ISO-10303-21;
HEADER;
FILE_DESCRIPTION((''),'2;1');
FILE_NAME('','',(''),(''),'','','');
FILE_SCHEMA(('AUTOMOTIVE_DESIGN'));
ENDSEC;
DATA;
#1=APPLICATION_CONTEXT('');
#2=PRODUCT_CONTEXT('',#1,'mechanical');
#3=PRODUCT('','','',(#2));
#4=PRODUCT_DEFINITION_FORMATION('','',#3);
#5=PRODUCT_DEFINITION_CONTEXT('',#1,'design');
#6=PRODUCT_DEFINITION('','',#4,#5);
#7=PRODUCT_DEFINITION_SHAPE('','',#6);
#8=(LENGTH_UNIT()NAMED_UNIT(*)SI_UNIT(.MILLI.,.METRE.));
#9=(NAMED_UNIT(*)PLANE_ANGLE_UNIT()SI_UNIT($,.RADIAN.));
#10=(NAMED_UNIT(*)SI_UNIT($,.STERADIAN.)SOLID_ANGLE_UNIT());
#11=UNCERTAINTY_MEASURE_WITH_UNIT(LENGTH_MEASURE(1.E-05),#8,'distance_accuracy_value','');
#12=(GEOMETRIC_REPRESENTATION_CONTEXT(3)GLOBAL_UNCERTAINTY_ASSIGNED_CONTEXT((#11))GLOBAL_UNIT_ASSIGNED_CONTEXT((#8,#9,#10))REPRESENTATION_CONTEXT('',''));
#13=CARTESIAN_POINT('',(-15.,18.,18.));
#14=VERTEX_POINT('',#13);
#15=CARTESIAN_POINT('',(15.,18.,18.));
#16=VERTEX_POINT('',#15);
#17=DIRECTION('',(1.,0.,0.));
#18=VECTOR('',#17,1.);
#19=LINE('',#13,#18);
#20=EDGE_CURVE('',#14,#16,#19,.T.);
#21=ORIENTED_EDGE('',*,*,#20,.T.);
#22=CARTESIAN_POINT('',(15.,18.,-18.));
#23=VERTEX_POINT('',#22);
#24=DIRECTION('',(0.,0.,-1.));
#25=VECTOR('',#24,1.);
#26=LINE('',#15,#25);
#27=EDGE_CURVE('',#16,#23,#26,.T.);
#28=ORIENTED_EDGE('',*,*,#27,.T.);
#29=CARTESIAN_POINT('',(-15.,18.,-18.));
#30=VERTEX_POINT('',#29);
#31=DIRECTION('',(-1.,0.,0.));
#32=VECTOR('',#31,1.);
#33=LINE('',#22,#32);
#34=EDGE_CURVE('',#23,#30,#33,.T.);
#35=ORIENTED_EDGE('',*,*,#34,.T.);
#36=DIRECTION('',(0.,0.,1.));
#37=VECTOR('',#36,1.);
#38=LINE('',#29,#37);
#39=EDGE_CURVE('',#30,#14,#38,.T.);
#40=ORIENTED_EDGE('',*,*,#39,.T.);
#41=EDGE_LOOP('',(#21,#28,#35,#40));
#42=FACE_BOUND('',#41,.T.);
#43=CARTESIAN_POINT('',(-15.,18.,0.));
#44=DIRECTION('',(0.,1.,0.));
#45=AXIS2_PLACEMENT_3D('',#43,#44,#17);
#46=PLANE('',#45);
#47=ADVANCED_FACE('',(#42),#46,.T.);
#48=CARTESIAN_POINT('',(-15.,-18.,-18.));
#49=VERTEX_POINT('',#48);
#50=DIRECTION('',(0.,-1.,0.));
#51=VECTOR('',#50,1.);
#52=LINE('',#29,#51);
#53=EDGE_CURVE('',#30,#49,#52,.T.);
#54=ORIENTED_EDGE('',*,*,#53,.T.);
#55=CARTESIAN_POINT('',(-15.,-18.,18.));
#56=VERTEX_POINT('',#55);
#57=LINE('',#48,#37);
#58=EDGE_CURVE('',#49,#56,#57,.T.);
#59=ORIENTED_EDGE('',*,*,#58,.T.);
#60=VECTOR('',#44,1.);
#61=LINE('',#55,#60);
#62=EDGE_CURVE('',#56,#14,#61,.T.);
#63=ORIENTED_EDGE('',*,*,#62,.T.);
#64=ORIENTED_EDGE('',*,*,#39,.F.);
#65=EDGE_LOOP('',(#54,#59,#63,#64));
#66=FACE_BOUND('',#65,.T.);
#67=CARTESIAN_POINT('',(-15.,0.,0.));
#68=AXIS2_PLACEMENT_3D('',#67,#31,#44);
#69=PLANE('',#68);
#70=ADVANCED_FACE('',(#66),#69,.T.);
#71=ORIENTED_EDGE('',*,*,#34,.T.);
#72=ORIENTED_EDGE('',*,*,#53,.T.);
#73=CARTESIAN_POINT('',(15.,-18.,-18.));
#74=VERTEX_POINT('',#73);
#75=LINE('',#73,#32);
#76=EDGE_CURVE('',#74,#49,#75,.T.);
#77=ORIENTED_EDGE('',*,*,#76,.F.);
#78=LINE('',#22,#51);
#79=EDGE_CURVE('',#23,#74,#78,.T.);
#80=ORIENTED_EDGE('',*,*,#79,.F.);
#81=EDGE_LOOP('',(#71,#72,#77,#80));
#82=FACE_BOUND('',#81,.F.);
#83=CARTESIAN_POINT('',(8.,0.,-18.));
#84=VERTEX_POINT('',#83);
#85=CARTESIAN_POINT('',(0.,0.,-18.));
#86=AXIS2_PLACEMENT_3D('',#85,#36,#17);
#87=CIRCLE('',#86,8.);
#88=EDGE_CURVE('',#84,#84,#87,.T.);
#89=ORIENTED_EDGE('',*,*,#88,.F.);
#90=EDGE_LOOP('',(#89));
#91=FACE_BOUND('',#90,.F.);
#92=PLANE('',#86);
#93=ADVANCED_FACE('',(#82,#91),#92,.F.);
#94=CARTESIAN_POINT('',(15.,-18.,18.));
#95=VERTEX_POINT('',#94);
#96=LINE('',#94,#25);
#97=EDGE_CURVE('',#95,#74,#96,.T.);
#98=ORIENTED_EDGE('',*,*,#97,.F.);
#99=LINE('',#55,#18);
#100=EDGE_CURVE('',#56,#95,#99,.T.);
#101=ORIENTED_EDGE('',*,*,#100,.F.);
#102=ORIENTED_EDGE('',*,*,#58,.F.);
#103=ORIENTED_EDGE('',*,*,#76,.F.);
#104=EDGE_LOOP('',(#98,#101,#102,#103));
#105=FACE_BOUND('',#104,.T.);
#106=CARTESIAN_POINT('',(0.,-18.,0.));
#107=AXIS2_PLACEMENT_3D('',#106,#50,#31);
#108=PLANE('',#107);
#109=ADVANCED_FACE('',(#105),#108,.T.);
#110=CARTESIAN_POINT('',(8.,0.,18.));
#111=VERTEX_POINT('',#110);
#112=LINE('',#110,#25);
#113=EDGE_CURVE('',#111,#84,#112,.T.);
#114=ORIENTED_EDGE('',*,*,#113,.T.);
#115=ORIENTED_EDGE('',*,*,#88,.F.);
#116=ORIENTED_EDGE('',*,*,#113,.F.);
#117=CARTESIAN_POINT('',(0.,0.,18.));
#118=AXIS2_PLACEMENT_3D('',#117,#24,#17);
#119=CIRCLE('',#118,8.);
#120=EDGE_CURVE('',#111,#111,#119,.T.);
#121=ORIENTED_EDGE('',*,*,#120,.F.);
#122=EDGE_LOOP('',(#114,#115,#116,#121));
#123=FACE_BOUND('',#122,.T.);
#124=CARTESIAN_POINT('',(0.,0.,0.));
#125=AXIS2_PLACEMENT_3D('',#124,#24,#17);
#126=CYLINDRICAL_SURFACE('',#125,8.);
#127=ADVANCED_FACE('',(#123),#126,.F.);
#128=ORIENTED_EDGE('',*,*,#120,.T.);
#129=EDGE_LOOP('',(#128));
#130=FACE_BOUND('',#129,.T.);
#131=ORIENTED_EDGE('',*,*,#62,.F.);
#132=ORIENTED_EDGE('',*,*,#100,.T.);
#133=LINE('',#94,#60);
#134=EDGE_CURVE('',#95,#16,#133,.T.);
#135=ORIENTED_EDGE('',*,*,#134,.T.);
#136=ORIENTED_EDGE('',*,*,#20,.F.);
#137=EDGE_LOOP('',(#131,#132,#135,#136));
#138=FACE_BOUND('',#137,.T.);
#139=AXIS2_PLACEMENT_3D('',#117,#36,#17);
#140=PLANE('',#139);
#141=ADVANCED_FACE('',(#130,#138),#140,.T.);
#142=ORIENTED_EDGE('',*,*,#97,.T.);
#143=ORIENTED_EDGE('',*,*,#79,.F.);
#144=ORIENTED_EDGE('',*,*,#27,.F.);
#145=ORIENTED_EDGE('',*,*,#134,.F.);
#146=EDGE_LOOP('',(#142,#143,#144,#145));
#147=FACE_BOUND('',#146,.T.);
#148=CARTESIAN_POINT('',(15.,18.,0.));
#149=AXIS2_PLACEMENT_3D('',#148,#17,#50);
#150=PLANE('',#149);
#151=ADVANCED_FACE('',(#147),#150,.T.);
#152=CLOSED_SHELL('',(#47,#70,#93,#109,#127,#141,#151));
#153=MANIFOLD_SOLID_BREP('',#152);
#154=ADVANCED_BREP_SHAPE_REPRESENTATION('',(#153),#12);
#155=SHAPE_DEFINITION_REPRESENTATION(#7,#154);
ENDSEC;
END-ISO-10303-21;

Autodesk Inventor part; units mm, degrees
ref_plane "YZ Plane" through (0, 0, 0) normal (1, 0, 0) x (0, 1, 0)
ref_plane "XZ Plane" through (0, 0, 0) normal (0, 1, 0) x (-1, 0, 0)
ref_plane "XY Plane" through (0, 0, 0) normal (0, 0, 1) x (1, 0, 0)
sketch "Skizze1" plane through (0, 0, 0) normal (0, 0, 1) x (1, 0, 0)
  line L0 (-15, 18) -> (15, 18)
  line L1 (15, 18) -> (15, -18)
  line L2 (15, -18) -> (-15, -18)
  line L3 (-15, -18) -> (-15, 18)
  circle A0 centre (0, 0) radius 8
  line L4 (-21, 0) -> (21, 0) projected
  line L5 (0, -25.2) -> (0, 25.2) projected
  dimension "d0" = 36
  dimension "d1" = 30
  dimension "d2" = 16
extrude "Extrusion1" add sketch "Skizze1" along normal mid plane 36 contours L0 L5 A0 L4 L3 | L0 L1 L4 A0 L5 | L4 A0 L5 L2 L3 | L1 L2 L5 A0 L4
properties part number "KON_Nietmaschine_Gleitstein" material "Kupfer"
